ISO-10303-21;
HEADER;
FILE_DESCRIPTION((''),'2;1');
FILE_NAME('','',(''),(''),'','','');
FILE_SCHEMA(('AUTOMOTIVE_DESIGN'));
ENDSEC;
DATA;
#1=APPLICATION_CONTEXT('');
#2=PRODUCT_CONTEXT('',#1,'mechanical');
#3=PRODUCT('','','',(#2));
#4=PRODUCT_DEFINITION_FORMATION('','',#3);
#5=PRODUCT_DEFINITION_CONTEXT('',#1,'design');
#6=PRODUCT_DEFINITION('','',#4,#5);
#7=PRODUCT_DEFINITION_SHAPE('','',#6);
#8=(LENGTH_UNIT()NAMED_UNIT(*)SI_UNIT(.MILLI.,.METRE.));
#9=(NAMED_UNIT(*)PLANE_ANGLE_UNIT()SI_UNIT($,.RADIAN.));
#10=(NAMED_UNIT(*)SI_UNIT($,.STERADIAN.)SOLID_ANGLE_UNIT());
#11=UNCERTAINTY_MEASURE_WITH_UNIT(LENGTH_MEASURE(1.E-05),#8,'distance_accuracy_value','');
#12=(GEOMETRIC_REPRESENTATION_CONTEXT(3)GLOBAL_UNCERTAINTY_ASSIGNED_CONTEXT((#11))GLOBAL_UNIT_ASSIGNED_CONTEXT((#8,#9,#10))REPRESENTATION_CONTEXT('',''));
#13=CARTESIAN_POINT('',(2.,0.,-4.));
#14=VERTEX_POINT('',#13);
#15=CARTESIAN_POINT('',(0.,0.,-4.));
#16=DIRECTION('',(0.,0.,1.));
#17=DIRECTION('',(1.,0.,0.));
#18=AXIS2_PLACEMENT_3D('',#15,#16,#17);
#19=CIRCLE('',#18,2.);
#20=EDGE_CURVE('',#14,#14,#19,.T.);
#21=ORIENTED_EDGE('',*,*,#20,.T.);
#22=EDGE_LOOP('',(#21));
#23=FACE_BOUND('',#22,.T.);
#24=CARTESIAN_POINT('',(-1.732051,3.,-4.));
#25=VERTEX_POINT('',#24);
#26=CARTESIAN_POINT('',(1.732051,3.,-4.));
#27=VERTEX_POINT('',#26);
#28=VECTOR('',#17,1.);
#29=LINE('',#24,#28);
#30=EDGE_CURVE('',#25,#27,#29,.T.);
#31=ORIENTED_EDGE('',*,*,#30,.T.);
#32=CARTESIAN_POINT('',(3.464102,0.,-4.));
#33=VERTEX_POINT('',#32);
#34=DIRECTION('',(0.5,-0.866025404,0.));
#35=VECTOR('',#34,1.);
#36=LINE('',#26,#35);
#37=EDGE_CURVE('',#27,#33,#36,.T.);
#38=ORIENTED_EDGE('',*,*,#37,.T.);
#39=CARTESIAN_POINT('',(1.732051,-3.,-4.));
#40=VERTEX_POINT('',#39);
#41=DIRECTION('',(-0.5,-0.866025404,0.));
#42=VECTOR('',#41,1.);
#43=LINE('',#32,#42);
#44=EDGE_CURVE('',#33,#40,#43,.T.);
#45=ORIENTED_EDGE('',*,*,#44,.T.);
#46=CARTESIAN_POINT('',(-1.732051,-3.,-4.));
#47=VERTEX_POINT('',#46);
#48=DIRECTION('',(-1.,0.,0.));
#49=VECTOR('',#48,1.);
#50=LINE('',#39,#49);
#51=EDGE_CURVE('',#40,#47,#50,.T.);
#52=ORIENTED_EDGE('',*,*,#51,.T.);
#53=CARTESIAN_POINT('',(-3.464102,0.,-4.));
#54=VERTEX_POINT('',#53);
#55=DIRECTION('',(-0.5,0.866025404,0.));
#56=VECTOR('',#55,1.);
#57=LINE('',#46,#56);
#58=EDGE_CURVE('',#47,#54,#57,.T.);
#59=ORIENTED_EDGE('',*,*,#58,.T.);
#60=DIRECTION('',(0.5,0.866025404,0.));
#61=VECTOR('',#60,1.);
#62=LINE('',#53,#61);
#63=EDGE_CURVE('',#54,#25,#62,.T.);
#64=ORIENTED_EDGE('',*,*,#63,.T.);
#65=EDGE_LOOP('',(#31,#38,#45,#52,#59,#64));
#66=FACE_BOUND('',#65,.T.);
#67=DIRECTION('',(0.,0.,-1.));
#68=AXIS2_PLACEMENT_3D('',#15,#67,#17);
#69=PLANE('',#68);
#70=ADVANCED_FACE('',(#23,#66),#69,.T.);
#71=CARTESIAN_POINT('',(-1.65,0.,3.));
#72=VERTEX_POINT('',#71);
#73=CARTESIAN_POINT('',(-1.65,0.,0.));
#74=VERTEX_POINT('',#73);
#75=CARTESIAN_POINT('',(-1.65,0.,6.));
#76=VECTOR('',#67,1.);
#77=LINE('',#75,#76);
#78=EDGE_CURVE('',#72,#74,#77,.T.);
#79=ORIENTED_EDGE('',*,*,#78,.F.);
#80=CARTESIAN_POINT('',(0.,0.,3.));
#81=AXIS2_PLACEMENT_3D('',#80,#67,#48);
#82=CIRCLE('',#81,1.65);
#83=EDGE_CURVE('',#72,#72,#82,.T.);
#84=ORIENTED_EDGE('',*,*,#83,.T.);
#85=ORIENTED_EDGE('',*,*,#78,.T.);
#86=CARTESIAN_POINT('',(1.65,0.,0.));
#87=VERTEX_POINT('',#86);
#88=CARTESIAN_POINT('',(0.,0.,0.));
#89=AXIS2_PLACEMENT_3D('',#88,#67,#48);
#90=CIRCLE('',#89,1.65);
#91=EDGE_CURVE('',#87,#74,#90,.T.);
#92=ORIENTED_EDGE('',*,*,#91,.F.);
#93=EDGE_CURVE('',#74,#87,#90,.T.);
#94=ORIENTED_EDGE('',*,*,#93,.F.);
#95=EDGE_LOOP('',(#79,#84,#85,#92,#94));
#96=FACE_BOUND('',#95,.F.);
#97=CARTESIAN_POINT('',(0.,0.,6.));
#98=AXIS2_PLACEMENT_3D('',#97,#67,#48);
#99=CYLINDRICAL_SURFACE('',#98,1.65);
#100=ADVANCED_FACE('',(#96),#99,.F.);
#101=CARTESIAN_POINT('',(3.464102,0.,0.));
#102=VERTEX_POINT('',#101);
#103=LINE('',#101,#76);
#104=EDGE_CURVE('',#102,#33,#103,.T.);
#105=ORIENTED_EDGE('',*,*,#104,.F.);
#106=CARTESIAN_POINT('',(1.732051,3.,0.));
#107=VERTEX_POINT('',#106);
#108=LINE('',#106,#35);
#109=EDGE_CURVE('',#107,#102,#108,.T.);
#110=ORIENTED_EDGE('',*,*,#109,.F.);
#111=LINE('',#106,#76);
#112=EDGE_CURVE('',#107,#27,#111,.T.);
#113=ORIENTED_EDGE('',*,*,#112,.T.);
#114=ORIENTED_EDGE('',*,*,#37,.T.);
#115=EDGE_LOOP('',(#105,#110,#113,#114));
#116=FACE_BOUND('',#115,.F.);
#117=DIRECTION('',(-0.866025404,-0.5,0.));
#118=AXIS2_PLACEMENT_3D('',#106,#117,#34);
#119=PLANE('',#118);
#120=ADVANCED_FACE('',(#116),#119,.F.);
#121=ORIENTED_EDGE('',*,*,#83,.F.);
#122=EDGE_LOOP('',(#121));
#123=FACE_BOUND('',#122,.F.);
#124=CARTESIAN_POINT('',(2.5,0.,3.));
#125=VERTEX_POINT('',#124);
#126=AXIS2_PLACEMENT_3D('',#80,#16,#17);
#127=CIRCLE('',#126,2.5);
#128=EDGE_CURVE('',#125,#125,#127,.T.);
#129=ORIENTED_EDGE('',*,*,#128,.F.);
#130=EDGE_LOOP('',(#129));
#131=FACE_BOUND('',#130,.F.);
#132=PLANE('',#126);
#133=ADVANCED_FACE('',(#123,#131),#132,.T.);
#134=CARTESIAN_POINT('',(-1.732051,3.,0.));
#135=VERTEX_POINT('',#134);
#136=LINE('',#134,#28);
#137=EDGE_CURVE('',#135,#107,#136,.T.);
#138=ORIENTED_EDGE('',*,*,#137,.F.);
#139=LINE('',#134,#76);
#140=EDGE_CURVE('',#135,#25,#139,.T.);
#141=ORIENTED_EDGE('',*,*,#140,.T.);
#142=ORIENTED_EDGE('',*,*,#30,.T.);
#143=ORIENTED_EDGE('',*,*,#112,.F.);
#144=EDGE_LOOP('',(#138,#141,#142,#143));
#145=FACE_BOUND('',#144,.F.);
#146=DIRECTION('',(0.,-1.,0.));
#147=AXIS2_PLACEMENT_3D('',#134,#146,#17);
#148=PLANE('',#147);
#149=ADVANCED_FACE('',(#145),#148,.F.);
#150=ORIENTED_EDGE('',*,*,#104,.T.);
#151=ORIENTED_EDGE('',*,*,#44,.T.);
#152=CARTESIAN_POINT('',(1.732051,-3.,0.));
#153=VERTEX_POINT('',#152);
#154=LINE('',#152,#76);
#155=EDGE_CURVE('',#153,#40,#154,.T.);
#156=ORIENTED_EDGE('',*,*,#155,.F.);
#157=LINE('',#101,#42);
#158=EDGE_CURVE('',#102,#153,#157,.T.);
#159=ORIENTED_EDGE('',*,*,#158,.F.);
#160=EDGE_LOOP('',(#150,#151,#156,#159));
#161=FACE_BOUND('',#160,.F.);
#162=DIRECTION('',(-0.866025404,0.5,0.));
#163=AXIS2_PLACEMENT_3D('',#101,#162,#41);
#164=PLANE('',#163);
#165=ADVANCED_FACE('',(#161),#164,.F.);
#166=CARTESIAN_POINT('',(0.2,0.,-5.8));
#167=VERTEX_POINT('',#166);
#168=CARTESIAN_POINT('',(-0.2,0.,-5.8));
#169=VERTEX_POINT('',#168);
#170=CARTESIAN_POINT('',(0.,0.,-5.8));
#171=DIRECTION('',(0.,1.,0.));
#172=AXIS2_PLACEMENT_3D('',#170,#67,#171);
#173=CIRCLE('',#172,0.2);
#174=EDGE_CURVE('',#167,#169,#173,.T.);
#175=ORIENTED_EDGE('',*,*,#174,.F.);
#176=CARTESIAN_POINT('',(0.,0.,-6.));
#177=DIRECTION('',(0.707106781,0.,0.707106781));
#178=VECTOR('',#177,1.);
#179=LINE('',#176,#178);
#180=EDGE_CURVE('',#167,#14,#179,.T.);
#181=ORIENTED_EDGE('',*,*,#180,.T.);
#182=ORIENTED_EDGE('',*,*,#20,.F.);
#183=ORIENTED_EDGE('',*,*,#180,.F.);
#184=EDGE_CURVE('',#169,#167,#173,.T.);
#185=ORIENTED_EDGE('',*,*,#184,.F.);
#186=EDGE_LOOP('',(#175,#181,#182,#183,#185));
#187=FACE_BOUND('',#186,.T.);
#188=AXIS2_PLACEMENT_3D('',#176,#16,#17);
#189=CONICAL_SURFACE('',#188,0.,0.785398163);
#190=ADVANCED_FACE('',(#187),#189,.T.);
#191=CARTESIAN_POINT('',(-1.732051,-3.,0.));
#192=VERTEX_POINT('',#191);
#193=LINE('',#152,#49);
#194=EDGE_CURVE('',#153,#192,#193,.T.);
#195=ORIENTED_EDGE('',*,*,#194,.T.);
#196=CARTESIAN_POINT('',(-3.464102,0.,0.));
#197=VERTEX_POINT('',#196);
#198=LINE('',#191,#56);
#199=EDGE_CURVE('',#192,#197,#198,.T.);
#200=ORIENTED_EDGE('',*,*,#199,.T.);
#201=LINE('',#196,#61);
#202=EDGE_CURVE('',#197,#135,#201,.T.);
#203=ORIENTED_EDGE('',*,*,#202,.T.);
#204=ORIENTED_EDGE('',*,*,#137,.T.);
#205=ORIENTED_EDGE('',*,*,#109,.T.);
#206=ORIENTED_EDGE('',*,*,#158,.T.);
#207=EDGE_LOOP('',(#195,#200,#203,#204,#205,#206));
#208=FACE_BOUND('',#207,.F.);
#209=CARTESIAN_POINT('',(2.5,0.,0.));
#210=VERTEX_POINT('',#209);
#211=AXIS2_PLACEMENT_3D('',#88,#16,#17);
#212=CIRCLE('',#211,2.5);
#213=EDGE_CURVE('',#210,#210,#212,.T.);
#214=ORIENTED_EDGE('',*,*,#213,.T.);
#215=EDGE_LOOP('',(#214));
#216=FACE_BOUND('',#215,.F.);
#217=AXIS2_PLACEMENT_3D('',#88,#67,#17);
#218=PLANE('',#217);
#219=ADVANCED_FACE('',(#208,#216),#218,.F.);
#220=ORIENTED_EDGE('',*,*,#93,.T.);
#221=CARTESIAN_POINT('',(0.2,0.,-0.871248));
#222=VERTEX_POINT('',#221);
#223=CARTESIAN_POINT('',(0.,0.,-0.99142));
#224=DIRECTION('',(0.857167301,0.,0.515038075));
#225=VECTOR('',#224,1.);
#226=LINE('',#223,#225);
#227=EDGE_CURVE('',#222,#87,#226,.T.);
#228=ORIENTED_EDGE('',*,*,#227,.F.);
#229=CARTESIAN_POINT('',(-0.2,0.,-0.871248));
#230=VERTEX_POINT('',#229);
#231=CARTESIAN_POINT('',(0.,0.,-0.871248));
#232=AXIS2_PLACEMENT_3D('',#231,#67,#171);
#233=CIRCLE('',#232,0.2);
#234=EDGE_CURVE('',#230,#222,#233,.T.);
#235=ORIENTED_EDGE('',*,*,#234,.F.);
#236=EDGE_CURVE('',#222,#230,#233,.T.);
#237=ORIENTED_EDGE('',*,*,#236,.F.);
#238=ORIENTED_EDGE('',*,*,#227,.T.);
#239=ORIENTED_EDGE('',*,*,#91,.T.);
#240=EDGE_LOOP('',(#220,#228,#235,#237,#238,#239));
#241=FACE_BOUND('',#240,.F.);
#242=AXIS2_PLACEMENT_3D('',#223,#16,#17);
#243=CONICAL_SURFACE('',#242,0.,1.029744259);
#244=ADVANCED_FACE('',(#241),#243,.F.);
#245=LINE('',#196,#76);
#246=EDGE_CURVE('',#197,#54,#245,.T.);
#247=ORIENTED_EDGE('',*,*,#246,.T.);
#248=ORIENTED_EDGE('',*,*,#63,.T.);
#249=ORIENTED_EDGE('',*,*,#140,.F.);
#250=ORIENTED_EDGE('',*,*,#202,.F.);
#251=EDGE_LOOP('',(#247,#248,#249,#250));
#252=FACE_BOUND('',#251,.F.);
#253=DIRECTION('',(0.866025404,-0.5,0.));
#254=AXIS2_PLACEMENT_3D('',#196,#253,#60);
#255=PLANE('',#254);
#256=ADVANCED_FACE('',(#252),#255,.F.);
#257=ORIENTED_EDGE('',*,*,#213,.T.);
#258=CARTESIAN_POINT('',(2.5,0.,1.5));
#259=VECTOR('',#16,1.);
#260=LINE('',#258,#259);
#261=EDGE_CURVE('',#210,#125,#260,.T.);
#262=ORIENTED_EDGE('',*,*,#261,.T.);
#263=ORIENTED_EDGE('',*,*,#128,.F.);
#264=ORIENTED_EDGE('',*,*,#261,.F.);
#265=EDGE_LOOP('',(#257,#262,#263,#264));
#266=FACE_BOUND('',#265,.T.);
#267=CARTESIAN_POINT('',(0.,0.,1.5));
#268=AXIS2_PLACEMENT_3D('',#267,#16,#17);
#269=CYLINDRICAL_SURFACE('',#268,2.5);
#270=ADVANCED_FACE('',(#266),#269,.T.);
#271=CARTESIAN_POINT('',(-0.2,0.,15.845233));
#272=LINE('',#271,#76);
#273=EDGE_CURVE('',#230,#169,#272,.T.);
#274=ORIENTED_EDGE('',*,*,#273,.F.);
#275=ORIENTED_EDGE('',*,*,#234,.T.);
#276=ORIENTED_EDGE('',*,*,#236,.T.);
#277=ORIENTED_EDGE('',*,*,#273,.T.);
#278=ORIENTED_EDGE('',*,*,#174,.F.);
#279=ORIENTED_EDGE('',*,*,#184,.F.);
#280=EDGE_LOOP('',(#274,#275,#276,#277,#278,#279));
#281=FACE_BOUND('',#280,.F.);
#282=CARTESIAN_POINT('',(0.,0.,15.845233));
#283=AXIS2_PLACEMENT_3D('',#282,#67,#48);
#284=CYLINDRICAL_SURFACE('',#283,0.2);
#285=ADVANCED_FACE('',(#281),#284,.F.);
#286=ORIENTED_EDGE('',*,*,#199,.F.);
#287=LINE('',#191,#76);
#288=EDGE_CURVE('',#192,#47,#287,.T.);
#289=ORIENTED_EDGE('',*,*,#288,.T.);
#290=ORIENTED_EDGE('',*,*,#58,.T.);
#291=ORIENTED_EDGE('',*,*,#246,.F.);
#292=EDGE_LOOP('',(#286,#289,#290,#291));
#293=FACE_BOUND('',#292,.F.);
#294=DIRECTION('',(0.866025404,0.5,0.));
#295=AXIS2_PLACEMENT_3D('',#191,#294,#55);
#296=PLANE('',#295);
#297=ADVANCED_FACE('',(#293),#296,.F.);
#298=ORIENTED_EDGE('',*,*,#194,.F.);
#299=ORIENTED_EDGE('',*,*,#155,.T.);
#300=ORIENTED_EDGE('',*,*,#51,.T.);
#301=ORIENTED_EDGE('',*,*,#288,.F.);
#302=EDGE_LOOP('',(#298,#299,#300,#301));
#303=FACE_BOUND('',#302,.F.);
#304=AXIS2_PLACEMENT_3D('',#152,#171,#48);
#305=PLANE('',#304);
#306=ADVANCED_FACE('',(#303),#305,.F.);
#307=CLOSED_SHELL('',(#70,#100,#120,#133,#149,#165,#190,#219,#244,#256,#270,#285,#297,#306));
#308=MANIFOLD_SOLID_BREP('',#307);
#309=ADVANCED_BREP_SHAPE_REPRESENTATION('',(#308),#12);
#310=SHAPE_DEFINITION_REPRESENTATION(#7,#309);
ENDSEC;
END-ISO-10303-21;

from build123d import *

# Parameters (mm, degrees)
F0_W     = 2.5
F0_H     = 3
F2_R     = 2.5
F3_DEPTH = 4
F7_D     = 3.3
F7_DEPTH = 3
F7_TIP   = 0.9914200214
F9_D     = 0.4


with BuildPart() as f1:
    # F0 (on Front) → F1 (revolve)
    with BuildSketch(Plane.XZ):
        with Locations((1.25, 1.5)):
            Rectangle(F0_W, F0_H)
    revolve(axis=Axis((0, 0, 1.5), (0, 0, 1)))

    # F2 (on face) → F3 (join)
    with BuildSketch(Plane(origin=(0, 0, 0), x_dir=(1, 0, 0), z_dir=(0, 0, -1))):
        Polygon((1.7320508076, 3), (-1.7320508076, 3), (-3.4641016151, 0), (-1.7320508076, -3), (1.7320508076, -3), (3.4641016151, 0), align=None)
        Circle(F2_R, mode=Mode.SUBTRACT)
        Circle(F2_R)
    extrude(amount=F3_DEPTH)

    # F4 (on Front) → F5 (revolve)
    with BuildSketch(Plane.XZ):
        Polygon((2, -4), (0, -4), (0, -6), align=None)
    revolve(axis=Axis((0, 0, -5), (0, 0, 1)))

    # F7
    with Locations(Plane.XY.offset(3)):
        with Locations((0, 0)):
            Hole(F7_D / 2, depth=F7_DEPTH)
            with Locations((0, 0, -(F7_DEPTH + F7_TIP / 2))):  # 118° drill point
                Cone(0, F7_D / 2, F7_TIP, mode=Mode.SUBTRACT)

    # F9 (through all)
    with Locations(Plane.XY.offset(3)):
        with Locations((0, 0)):
            Hole(F9_D / 2)


solid = f1.part
